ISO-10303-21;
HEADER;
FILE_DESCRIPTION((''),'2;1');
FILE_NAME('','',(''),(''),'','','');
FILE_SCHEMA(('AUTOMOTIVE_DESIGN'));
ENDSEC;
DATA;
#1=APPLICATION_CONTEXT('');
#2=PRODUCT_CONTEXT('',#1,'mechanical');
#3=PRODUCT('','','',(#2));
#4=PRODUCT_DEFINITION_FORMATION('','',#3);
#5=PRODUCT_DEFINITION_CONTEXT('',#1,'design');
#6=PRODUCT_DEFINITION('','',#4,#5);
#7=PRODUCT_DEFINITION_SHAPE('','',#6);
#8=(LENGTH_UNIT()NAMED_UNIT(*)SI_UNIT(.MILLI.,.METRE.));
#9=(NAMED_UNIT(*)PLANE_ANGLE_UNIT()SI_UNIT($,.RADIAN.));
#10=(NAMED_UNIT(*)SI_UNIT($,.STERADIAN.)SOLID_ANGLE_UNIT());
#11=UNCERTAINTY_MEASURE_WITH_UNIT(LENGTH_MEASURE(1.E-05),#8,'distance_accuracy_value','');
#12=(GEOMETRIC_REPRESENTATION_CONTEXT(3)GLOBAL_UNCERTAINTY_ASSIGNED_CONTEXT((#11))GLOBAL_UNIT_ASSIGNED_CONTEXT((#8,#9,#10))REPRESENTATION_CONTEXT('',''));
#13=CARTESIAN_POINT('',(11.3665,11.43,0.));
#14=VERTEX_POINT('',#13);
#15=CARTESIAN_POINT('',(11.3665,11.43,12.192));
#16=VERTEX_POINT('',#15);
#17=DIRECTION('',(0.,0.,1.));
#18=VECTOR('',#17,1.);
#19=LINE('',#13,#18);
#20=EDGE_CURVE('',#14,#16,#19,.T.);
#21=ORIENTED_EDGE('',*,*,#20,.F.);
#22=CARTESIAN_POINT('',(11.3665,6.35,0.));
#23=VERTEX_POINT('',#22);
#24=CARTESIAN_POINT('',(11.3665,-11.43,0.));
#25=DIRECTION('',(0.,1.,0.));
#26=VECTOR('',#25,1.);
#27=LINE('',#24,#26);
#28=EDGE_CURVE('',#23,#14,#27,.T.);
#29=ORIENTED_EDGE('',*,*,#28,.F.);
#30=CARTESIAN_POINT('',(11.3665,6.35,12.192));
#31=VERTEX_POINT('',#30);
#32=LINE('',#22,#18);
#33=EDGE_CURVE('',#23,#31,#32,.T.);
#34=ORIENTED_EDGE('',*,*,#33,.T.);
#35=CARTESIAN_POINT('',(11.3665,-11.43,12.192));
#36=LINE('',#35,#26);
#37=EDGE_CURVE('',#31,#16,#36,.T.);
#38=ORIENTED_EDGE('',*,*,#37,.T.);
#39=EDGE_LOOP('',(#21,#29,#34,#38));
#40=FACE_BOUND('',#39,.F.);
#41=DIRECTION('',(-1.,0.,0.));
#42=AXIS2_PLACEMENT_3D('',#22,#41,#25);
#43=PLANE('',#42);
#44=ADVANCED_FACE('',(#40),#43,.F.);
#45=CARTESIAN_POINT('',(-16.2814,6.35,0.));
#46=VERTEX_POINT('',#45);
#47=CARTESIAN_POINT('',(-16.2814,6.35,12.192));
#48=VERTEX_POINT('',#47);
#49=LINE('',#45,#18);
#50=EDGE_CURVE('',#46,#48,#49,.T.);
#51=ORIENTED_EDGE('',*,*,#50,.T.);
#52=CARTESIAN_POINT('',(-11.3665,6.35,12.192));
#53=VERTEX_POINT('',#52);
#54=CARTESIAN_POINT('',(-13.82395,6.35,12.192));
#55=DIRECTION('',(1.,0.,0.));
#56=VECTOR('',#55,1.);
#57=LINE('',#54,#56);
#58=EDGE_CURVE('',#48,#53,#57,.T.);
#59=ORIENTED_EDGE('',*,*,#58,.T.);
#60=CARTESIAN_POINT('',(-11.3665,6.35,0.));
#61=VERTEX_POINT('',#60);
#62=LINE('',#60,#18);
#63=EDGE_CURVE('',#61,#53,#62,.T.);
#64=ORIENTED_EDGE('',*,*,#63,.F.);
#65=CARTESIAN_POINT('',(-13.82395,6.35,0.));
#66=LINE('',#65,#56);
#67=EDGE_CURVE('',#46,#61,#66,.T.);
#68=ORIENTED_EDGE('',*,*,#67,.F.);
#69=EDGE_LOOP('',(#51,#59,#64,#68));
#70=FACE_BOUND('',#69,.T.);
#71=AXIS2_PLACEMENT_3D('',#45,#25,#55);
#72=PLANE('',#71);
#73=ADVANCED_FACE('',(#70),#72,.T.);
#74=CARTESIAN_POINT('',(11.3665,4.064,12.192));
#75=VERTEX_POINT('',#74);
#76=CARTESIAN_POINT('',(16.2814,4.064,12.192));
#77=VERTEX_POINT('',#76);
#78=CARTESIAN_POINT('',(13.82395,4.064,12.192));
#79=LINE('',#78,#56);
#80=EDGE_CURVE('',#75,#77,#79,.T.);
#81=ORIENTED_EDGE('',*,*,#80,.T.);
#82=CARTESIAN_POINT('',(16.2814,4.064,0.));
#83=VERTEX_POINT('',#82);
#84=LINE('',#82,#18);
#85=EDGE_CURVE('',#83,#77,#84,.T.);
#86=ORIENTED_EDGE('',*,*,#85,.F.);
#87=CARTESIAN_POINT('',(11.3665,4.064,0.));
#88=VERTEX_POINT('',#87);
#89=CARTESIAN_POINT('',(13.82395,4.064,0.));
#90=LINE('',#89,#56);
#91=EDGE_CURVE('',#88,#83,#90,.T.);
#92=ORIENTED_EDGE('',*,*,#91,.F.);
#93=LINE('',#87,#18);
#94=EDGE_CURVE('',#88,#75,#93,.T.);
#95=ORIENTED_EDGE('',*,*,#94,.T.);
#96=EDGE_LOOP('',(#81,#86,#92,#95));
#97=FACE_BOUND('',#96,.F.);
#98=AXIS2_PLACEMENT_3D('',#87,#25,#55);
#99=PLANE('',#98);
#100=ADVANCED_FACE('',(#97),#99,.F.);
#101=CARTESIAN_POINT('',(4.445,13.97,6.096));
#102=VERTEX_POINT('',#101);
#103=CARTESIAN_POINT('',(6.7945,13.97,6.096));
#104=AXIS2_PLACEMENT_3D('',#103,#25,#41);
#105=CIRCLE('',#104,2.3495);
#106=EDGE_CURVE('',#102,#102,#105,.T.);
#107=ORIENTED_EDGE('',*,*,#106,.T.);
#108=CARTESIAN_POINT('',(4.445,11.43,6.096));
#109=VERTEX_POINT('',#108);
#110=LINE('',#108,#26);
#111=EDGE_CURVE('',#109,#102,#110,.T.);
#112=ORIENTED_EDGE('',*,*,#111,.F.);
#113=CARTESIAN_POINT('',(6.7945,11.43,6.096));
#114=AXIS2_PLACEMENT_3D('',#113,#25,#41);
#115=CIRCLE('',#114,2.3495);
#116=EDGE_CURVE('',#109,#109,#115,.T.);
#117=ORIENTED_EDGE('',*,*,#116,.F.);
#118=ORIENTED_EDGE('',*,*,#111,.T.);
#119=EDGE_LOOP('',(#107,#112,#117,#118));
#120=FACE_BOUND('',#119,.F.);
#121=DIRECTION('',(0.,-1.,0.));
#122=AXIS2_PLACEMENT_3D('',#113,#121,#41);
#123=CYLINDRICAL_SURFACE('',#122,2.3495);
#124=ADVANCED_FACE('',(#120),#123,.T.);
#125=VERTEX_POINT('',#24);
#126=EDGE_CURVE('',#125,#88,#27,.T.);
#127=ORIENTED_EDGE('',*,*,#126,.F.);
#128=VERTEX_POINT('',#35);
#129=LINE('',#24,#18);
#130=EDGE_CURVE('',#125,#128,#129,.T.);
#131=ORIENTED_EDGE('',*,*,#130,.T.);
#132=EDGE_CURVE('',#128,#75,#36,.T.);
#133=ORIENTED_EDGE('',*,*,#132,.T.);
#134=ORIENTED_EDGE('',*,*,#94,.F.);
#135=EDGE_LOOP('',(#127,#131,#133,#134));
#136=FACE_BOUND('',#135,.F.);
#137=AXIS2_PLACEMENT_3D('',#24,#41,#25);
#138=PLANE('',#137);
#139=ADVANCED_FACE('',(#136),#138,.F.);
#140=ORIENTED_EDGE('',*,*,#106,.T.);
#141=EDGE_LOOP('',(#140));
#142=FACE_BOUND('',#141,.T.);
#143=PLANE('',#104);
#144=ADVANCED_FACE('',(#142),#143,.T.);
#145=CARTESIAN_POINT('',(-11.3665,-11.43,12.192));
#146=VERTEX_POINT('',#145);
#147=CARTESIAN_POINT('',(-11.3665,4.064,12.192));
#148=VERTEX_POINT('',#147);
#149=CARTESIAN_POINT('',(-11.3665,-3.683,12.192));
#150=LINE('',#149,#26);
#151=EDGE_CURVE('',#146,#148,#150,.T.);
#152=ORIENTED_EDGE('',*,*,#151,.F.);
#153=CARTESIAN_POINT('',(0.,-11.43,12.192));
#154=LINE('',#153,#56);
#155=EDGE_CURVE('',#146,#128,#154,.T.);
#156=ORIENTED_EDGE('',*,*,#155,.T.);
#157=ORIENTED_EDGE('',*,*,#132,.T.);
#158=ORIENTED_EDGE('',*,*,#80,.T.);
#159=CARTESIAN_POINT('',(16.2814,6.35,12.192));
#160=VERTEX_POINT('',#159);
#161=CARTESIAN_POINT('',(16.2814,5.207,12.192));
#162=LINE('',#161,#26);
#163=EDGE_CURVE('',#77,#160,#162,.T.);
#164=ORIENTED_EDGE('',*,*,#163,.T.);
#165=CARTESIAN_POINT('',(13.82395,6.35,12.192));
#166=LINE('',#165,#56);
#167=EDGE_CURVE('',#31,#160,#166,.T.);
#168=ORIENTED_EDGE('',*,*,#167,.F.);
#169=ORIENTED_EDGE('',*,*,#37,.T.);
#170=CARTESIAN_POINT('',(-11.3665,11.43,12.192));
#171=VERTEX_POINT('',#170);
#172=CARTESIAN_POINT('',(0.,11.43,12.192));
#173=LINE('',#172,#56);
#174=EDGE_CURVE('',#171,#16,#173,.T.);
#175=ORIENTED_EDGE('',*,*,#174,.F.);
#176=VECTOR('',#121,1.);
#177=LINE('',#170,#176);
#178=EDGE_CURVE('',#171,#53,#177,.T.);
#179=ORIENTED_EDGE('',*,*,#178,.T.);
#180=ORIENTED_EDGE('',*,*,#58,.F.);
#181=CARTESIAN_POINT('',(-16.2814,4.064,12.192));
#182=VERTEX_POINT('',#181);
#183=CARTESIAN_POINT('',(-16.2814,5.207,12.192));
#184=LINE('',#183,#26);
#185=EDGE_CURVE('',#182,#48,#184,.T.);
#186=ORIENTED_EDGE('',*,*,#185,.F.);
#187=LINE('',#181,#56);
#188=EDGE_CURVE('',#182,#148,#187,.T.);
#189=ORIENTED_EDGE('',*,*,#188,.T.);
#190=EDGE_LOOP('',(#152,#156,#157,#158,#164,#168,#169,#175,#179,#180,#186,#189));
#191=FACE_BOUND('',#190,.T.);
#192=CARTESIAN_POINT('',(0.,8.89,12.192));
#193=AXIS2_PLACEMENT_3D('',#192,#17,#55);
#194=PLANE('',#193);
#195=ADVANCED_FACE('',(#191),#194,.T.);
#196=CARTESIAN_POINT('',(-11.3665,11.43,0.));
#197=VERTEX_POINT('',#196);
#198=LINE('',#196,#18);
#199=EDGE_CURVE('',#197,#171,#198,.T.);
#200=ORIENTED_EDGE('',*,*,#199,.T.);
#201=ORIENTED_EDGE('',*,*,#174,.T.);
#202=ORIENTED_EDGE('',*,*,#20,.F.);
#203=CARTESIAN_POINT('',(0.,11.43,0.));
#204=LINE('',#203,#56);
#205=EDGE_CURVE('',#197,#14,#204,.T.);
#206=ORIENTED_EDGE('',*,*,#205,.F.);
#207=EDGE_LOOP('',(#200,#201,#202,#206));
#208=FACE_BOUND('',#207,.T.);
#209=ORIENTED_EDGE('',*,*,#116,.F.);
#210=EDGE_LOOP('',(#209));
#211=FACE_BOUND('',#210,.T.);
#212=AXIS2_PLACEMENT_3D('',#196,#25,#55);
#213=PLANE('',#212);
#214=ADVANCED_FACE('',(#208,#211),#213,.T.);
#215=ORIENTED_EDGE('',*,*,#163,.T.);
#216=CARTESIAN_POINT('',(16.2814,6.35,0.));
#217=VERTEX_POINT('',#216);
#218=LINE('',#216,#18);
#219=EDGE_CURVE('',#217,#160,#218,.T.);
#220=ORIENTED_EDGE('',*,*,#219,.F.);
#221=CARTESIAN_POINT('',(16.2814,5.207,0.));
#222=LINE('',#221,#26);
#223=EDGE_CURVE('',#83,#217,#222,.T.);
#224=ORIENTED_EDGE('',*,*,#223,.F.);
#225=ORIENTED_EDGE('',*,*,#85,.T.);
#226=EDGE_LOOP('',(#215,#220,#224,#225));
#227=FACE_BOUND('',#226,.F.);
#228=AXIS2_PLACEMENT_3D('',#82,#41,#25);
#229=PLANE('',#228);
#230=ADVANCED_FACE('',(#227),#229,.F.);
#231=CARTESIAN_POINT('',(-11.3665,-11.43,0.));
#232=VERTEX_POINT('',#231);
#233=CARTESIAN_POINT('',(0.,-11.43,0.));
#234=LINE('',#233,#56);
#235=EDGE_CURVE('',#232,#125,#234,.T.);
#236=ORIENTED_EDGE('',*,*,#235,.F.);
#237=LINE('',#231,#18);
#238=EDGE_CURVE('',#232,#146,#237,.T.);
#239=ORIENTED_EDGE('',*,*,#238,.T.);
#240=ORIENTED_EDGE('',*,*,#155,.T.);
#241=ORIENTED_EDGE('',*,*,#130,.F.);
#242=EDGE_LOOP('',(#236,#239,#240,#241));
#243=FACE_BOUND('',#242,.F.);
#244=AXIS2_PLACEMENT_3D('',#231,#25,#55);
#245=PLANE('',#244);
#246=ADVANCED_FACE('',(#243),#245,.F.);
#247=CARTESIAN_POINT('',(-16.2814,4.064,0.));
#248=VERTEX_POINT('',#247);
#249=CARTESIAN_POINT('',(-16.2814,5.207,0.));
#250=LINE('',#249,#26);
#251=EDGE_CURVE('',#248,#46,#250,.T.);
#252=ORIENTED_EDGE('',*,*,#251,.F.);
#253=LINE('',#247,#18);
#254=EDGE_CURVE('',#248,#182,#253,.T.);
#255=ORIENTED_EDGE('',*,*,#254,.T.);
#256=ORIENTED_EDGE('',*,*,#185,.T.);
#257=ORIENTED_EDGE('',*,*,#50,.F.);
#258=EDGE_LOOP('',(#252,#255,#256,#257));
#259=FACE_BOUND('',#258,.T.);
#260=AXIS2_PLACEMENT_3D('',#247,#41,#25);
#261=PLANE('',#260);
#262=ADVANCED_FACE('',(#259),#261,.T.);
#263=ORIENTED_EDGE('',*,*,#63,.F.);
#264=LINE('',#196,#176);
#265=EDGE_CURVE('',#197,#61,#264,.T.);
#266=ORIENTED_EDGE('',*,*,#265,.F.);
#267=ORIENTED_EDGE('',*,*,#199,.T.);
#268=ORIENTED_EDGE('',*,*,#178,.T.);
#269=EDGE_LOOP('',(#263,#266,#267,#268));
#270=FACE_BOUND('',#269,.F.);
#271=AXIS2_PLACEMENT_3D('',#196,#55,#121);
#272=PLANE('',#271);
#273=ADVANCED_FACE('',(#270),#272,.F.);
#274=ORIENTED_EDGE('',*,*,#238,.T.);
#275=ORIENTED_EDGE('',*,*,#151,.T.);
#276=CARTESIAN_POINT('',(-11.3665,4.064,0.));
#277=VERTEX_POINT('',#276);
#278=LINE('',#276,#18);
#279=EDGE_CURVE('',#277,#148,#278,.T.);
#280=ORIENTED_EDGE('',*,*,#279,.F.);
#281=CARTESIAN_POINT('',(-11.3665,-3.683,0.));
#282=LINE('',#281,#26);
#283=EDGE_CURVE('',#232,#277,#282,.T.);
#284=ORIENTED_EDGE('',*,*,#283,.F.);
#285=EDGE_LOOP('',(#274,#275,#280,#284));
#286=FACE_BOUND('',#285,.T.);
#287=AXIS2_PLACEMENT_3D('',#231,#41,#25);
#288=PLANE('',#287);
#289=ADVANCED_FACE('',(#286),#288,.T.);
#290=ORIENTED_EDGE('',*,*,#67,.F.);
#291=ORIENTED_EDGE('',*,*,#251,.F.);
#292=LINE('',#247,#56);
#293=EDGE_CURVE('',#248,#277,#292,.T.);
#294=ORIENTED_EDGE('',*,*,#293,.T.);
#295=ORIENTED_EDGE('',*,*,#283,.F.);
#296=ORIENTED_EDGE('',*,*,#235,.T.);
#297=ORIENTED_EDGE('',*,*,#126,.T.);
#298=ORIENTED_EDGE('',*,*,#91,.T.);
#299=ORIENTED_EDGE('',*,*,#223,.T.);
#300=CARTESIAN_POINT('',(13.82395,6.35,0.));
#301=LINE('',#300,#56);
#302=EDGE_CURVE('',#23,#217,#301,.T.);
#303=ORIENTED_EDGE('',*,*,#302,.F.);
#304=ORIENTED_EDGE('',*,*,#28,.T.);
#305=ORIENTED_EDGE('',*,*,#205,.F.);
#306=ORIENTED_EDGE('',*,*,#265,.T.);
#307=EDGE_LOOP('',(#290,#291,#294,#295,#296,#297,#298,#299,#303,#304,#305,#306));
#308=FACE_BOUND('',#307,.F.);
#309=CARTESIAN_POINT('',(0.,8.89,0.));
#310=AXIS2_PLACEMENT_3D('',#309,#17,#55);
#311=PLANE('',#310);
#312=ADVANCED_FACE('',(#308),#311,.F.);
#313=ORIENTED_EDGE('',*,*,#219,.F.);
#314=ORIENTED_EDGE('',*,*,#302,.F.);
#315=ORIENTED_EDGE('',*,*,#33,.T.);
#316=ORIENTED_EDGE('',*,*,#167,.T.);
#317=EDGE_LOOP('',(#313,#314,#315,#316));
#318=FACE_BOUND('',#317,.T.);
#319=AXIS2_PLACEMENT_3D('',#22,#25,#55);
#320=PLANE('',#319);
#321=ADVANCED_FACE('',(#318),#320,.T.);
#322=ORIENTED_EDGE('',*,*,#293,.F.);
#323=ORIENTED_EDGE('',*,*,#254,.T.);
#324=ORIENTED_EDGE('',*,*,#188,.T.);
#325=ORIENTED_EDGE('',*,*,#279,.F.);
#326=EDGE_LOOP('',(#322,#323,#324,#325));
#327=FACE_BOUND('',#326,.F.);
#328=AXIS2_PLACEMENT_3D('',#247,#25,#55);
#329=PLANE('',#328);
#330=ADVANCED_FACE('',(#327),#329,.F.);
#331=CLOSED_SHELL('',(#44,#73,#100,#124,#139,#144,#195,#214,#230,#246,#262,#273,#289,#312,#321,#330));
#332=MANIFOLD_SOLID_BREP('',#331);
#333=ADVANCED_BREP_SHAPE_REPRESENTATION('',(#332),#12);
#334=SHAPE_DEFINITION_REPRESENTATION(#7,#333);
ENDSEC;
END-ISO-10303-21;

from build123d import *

# Parameters (mm, degrees)
F0_W     = 22.733
F0_H     = 5.08
F0_H_2   = 2.286
F0_W_2   = 4.9149
F0_H_3   = 15.494
F1_DEPTH = 12.192
F2_R     = 2.3495
F3_DEPTH = 2.54


with BuildPart() as f1:
    # F0 (on Top) → F1 (new body)
    with BuildSketch(Plane.XY):
        with Locations((0, 8.89)):
            Rectangle(F0_W, F0_H)
        with Locations((0, 5.207)):
            Rectangle(F0_W, F0_H_2)
        with Locations((-13.82395, 5.207)):
            Rectangle(F0_W_2, F0_H_2)
        with Locations((0, -3.683)):
            Rectangle(F0_W, F0_H_3)
        with Locations((13.82395, 5.207)):
            Rectangle(F0_W_2, F0_H_2)
    extrude(amount=F1_DEPTH)

    # F2 (on face) → F3 (join)
    with BuildSketch(Plane(origin=(0, 11.43, 0), x_dir=(-1, 0, 0), z_dir=(0, 1, 0))):
        with Locations((-6.7945, 6.096)):
            Circle(F2_R)
    extrude(amount=F3_DEPTH)


solid = f1.part
